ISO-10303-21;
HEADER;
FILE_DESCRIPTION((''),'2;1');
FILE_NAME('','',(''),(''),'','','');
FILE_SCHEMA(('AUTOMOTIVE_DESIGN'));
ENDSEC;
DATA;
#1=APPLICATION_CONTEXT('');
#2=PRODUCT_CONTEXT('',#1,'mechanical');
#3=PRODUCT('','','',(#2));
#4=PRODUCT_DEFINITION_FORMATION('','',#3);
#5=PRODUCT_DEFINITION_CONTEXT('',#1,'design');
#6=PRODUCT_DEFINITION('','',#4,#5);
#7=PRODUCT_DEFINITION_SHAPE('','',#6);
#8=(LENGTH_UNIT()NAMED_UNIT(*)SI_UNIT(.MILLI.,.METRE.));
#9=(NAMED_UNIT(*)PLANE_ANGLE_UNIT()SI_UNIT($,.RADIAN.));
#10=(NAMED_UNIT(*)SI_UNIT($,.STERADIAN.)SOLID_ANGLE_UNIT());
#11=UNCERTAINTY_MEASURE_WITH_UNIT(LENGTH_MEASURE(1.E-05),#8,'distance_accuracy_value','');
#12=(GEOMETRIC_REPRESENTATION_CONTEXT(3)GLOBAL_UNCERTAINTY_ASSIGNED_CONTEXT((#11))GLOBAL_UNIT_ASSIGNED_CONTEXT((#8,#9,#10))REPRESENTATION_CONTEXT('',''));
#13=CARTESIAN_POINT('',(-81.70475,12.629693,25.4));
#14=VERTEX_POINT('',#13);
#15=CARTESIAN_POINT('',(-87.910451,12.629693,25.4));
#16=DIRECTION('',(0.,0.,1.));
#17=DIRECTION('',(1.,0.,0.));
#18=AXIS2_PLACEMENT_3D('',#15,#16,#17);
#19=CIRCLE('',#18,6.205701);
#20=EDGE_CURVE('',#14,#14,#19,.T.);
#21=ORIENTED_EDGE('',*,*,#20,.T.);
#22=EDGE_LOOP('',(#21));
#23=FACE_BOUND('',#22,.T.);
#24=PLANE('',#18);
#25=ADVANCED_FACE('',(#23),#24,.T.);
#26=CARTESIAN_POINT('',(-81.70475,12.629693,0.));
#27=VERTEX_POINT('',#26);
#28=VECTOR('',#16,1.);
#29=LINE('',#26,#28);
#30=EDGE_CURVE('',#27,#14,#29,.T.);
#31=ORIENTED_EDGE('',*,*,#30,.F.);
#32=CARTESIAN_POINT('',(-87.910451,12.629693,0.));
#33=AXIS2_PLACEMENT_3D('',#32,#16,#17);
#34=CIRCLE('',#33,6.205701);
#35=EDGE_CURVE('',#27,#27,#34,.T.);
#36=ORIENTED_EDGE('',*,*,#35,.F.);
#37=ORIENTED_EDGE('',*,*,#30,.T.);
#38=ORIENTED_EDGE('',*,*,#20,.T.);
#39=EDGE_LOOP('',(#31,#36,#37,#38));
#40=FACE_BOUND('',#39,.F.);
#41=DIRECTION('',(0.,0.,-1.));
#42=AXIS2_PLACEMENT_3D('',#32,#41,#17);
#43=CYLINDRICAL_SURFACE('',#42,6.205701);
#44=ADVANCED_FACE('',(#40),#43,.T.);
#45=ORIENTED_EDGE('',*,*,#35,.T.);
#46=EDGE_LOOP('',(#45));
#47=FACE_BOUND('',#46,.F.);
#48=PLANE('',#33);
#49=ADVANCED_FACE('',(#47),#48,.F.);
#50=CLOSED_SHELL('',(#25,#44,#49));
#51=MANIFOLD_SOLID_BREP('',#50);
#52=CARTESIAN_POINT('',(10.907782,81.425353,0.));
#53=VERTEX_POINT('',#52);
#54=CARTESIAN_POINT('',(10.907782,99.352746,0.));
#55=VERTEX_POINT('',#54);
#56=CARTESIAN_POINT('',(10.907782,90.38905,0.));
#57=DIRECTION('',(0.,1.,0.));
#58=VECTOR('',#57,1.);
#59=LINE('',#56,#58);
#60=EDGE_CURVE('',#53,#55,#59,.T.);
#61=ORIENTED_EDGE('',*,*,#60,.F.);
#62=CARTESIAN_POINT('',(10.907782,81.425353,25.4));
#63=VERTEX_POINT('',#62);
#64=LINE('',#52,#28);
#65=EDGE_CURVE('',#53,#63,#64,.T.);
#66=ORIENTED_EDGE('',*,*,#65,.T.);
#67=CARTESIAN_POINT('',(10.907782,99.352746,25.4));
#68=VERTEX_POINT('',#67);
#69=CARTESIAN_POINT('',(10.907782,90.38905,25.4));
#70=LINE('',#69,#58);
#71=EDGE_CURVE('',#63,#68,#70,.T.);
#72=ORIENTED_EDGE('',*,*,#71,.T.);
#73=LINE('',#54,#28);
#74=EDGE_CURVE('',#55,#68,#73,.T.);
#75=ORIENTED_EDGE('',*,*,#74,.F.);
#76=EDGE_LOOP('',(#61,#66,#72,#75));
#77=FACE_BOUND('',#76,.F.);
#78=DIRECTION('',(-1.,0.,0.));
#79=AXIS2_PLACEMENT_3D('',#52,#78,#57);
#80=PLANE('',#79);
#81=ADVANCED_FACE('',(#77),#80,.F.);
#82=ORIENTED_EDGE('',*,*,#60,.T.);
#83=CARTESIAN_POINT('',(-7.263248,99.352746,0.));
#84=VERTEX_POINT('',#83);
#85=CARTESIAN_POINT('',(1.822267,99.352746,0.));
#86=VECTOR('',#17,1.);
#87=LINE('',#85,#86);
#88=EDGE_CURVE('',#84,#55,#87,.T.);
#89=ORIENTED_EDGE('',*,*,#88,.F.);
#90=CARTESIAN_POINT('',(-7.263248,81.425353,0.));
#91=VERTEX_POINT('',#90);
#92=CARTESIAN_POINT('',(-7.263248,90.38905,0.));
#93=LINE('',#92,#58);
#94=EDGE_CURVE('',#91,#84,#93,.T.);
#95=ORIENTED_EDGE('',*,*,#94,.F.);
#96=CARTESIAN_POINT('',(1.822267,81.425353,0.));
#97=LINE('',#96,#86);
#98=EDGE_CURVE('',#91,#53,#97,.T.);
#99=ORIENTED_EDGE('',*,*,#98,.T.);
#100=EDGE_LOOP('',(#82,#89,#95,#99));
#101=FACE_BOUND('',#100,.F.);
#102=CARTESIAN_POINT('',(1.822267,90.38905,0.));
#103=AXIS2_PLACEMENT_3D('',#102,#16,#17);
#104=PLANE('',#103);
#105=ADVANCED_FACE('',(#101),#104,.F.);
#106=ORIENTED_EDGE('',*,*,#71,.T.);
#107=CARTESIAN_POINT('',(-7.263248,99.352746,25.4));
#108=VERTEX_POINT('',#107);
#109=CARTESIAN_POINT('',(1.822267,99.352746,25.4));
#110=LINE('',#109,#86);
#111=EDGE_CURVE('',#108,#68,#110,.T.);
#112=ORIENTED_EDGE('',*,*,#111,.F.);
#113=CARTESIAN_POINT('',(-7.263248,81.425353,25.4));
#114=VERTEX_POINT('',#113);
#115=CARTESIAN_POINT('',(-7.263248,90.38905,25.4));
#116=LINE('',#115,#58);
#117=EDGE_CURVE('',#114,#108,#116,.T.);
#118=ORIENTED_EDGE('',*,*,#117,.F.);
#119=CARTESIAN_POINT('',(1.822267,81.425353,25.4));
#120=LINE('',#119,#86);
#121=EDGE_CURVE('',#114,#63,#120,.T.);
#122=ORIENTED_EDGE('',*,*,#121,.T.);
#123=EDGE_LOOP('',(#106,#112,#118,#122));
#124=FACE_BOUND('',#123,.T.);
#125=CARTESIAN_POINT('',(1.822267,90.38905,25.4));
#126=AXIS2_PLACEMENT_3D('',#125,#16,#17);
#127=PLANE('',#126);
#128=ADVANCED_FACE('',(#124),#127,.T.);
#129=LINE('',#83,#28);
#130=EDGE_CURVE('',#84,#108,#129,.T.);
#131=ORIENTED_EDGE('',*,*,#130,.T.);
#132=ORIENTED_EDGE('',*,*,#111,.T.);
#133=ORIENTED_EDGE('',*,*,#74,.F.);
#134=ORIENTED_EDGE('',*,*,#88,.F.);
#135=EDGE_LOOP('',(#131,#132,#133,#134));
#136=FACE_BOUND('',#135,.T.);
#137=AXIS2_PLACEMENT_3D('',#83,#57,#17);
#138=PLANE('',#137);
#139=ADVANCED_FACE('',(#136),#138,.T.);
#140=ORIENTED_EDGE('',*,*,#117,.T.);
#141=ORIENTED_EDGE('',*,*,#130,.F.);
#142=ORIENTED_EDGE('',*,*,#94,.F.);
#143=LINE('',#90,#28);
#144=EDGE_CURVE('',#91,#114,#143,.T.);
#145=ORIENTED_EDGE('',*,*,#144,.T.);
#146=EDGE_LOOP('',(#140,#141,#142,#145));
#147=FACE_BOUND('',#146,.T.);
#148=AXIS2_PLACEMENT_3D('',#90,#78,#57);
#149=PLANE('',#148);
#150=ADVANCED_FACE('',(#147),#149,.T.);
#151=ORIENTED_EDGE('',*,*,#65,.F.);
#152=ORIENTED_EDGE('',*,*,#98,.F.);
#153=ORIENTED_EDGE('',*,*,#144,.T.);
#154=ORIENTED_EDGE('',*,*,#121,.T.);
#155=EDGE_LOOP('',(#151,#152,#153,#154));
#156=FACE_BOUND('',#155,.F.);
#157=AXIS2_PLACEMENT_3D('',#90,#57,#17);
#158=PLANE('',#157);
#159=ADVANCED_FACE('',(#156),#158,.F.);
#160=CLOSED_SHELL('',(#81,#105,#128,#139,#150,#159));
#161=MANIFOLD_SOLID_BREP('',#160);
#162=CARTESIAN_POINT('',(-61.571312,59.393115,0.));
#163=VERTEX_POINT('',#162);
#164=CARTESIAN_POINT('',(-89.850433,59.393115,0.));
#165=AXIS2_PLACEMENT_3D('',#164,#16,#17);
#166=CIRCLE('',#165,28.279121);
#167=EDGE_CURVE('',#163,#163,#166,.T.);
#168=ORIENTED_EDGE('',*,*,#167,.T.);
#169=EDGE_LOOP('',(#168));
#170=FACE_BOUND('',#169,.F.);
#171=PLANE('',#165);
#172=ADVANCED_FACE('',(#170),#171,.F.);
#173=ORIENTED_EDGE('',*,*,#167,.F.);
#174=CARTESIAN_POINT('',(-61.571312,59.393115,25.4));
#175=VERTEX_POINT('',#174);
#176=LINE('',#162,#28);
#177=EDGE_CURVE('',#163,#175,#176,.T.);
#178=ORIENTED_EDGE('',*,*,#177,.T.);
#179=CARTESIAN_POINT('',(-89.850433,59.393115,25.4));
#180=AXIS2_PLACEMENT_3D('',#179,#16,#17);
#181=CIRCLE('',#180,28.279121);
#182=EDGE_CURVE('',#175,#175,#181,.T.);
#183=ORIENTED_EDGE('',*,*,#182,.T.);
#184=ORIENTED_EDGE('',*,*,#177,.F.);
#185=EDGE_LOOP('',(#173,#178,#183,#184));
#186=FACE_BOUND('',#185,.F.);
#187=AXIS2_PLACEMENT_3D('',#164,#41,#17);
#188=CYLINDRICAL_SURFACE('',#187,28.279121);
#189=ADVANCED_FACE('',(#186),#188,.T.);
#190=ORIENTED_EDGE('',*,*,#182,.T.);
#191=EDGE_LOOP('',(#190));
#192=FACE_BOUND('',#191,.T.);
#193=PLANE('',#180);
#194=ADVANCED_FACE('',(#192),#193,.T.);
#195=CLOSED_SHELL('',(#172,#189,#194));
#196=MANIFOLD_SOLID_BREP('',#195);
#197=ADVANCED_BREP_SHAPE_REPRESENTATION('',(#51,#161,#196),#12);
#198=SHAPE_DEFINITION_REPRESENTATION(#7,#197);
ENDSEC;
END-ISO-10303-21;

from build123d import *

# Parameters (mm, degrees)
F0_R     = 6.205701
F0_R_2   = 28.279121
F0_W     = 18.171029
F0_H     = 17.927393
F1_DEPTH = 25.4


with BuildPart() as f1:
    # F0 (on Top) → F1 (new body)
    with BuildSketch(Plane.XY):
        with Locations((-87.910451, 12.629693)):
            Circle(F0_R)
        with Locations((-89.850433, 59.393115)):
            Circle(F0_R_2)
        with Locations((1.822267, 90.38905)):
            Rectangle(F0_W, F0_H)
    extrude(amount=F1_DEPTH)


solid = f1.part
